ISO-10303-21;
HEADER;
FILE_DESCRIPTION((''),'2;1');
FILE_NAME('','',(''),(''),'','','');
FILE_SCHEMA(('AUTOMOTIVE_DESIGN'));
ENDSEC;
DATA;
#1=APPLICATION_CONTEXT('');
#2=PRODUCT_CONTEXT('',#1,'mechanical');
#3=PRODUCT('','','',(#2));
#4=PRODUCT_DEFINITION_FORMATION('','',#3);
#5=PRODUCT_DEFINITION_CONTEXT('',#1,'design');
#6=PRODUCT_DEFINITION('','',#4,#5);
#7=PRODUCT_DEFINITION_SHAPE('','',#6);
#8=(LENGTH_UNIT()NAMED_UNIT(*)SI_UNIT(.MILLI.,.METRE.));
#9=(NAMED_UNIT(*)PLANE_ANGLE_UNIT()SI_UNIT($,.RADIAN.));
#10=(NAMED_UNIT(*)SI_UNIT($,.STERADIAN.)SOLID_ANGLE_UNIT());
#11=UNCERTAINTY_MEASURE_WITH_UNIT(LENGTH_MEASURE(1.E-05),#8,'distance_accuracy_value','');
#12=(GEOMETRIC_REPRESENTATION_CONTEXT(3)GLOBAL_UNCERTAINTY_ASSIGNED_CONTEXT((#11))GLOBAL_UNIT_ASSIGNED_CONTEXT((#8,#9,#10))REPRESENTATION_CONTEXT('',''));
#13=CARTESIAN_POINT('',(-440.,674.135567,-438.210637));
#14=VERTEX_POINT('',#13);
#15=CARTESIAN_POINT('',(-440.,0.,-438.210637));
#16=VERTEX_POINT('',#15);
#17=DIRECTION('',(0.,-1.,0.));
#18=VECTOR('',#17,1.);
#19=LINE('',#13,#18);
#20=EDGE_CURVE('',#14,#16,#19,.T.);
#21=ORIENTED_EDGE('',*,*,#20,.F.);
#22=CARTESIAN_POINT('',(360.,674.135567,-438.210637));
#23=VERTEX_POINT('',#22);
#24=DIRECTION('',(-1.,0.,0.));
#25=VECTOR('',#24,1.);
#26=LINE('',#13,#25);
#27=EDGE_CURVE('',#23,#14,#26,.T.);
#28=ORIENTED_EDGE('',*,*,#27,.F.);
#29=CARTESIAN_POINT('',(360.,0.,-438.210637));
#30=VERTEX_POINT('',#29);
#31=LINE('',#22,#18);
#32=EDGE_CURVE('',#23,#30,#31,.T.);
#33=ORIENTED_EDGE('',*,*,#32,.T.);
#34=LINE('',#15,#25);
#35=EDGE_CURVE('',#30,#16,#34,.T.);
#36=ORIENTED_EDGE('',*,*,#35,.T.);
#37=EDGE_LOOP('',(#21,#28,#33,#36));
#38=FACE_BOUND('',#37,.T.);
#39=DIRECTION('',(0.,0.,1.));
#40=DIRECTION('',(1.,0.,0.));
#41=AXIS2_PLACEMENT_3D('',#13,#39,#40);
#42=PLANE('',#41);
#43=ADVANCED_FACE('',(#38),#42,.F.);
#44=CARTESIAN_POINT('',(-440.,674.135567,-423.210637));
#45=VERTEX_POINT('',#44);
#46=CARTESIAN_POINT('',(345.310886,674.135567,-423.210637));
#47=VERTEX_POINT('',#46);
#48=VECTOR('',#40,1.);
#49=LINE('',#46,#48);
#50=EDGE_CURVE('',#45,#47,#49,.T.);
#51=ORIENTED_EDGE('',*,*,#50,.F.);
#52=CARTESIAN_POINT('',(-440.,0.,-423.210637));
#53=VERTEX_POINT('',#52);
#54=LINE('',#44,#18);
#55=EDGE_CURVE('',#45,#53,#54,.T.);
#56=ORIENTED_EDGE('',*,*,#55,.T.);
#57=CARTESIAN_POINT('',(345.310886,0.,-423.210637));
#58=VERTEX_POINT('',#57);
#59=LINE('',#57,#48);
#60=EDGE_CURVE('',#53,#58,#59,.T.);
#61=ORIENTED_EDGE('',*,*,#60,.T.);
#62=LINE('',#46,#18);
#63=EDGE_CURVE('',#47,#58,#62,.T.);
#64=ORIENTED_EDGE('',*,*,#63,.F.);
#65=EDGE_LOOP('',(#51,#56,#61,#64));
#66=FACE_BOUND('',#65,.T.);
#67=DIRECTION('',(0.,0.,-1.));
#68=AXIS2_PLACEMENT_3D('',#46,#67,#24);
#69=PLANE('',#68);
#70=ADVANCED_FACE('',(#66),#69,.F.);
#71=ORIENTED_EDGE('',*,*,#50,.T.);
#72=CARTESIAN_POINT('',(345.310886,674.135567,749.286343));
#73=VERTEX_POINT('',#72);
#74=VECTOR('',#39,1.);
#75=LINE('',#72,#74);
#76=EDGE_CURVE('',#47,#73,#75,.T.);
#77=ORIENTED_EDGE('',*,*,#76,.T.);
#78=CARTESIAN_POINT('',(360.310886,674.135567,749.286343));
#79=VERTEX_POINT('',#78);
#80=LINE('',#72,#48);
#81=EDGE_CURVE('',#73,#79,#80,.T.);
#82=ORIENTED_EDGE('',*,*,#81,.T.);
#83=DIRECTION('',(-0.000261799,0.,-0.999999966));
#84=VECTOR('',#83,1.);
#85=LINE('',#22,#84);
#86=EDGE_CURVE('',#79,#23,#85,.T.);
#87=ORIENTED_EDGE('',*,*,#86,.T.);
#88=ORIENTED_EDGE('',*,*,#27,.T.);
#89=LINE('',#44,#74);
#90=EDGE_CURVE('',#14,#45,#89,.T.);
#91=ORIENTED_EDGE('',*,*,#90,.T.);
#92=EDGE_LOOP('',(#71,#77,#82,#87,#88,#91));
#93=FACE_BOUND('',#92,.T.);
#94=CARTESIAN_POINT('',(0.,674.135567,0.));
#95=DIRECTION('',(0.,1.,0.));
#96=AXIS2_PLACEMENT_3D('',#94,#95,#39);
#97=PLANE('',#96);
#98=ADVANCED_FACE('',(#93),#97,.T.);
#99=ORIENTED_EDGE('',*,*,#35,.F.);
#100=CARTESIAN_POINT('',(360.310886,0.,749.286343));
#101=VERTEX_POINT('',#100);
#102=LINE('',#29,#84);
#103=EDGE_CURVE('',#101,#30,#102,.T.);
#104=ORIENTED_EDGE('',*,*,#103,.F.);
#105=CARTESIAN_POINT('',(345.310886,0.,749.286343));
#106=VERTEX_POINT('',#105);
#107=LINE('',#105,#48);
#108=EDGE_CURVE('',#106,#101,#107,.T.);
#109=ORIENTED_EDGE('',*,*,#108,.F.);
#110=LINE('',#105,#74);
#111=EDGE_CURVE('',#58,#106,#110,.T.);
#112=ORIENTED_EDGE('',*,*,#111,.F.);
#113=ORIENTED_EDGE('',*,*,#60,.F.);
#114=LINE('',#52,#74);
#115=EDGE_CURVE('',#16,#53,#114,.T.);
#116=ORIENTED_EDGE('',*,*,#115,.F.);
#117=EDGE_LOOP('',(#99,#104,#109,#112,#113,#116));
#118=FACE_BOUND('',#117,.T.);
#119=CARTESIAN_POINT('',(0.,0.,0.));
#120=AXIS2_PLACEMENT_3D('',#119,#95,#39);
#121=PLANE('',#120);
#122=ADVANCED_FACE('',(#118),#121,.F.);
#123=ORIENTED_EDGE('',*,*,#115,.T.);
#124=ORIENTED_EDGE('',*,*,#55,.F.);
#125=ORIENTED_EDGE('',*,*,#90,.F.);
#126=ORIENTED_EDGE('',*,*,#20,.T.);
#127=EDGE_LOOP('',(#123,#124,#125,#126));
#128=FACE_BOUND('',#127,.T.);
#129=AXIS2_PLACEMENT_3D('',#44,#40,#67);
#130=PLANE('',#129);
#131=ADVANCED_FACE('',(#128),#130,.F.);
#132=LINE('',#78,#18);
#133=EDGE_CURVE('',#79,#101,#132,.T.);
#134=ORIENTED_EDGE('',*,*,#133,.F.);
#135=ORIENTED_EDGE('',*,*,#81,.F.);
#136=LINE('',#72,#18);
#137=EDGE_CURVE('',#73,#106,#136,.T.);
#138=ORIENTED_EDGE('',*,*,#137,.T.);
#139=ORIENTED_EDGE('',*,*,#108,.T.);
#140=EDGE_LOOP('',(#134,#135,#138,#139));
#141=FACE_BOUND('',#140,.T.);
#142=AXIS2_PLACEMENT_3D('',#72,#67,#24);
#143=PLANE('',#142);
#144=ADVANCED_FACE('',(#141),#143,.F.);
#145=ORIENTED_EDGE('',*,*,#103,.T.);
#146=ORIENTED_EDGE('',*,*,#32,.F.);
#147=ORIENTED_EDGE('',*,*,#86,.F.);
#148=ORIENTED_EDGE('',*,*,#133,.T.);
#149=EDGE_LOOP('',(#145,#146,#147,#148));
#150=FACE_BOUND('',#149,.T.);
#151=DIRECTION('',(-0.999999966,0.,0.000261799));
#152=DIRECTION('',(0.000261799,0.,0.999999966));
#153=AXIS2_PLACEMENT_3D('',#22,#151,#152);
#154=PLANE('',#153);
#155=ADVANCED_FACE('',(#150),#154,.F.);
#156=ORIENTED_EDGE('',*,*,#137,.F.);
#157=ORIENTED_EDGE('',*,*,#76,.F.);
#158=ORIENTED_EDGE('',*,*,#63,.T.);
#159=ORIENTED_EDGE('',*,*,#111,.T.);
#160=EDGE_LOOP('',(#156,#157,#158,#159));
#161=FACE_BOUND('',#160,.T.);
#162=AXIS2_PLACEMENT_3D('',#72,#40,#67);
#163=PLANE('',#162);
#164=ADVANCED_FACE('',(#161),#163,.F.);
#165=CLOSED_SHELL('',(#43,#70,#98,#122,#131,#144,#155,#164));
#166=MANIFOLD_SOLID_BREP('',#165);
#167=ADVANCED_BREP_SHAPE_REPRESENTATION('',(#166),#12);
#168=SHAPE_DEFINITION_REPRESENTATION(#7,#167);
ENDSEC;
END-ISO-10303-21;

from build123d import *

# Parameters (mm, degrees)
BOSS_EXTRUDE1_DEPTH = 674.135566945


with BuildPart() as part:
    # Sketch1 → Boss-Extrude1 (new body)
    with BuildSketch(Plane(origin=(0, 0, 0), x_dir=(1, 0, 0), z_dir=(0, 1, 0))):
        Polygon((345.31088599, -749.286342906), (345.31088599, 423.210637315), (-440, 423.210637315), (-440, 438.210637314), (360, 438.210637314), (360.31088599, -749.286342906), align=None)
    extrude(amount=BOSS_EXTRUDE1_DEPTH)


solid = part.part
